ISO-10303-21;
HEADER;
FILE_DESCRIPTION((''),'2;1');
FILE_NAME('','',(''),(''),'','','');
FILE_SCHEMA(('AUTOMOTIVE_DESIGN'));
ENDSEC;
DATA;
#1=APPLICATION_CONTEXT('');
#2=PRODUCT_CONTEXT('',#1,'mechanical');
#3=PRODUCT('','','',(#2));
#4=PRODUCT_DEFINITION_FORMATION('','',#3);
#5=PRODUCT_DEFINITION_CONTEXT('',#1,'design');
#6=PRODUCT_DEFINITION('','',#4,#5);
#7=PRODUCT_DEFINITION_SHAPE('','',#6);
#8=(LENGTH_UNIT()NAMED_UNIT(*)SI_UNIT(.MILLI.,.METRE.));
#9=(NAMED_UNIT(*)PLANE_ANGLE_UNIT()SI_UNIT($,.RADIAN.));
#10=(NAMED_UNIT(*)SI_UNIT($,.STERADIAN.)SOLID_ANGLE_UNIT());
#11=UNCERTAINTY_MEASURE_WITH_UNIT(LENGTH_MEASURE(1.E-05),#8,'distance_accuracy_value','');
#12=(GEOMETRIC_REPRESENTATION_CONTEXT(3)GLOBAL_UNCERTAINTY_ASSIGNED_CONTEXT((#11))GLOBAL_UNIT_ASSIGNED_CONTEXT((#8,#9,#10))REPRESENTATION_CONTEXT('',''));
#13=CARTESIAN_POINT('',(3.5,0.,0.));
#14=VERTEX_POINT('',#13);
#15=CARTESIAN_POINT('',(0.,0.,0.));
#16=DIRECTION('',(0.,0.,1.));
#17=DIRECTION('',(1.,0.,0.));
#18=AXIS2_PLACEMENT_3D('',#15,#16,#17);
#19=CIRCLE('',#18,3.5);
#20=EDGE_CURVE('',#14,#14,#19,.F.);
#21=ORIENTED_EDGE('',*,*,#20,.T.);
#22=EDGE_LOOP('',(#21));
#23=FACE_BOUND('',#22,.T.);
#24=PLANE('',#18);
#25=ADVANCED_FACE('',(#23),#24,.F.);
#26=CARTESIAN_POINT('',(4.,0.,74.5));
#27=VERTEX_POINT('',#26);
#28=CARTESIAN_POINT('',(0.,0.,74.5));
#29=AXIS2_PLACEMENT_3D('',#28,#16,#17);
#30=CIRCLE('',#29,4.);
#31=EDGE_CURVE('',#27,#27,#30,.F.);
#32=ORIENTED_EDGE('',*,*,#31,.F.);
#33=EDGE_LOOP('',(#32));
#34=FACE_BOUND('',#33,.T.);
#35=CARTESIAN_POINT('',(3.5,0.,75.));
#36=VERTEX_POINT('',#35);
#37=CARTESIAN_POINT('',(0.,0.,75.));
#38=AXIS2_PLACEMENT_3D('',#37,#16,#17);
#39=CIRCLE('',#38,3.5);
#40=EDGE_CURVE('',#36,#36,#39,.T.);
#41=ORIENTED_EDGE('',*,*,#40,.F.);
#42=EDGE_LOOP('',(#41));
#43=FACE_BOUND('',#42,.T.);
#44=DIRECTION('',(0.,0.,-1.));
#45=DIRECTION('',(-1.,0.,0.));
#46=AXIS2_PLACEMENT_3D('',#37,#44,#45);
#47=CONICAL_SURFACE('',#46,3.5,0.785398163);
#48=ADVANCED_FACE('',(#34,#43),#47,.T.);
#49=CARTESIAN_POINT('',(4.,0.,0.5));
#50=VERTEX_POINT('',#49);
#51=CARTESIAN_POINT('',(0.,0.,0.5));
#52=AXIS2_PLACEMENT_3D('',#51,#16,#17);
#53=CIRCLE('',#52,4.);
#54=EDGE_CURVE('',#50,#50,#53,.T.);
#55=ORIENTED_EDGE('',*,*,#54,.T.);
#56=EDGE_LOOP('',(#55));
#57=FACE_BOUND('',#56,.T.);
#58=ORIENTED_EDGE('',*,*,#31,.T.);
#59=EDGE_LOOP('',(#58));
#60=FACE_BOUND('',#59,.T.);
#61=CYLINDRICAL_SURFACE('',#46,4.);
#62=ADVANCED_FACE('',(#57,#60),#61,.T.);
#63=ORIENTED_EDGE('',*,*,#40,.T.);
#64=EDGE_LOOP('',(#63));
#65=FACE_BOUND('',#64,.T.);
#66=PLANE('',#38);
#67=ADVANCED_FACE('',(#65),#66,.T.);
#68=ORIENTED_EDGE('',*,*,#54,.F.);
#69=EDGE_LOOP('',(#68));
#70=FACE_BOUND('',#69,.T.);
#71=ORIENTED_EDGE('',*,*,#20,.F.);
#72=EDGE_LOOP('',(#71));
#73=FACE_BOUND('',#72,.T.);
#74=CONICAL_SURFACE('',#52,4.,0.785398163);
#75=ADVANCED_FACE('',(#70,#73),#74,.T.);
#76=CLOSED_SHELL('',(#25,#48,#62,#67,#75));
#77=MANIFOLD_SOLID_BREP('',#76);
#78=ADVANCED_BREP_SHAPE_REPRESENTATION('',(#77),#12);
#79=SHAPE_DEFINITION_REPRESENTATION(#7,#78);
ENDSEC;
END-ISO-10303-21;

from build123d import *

# Parameters (mm, degrees)
SKETCH1_R           = 4
BOSS_EXTRUDE1_DEPTH = 75
CHAMFER1_SIZE       = 0.5


with BuildPart() as part:
    # Sketch1 → Boss-Extrude1 (new body)
    with BuildSketch(Plane.XY):
        Circle(SKETCH1_R)
    extrude(amount=BOSS_EXTRUDE1_DEPTH)

    # Chamfer1
    chamfer1_edges = [part.edges().sort_by_distance(p)[0] for p in [
        (-4, 0, 0),
        (-4, 0, 75),
    ]]
    chamfer(chamfer1_edges, length=CHAMFER1_SIZE)


solid = part.part
